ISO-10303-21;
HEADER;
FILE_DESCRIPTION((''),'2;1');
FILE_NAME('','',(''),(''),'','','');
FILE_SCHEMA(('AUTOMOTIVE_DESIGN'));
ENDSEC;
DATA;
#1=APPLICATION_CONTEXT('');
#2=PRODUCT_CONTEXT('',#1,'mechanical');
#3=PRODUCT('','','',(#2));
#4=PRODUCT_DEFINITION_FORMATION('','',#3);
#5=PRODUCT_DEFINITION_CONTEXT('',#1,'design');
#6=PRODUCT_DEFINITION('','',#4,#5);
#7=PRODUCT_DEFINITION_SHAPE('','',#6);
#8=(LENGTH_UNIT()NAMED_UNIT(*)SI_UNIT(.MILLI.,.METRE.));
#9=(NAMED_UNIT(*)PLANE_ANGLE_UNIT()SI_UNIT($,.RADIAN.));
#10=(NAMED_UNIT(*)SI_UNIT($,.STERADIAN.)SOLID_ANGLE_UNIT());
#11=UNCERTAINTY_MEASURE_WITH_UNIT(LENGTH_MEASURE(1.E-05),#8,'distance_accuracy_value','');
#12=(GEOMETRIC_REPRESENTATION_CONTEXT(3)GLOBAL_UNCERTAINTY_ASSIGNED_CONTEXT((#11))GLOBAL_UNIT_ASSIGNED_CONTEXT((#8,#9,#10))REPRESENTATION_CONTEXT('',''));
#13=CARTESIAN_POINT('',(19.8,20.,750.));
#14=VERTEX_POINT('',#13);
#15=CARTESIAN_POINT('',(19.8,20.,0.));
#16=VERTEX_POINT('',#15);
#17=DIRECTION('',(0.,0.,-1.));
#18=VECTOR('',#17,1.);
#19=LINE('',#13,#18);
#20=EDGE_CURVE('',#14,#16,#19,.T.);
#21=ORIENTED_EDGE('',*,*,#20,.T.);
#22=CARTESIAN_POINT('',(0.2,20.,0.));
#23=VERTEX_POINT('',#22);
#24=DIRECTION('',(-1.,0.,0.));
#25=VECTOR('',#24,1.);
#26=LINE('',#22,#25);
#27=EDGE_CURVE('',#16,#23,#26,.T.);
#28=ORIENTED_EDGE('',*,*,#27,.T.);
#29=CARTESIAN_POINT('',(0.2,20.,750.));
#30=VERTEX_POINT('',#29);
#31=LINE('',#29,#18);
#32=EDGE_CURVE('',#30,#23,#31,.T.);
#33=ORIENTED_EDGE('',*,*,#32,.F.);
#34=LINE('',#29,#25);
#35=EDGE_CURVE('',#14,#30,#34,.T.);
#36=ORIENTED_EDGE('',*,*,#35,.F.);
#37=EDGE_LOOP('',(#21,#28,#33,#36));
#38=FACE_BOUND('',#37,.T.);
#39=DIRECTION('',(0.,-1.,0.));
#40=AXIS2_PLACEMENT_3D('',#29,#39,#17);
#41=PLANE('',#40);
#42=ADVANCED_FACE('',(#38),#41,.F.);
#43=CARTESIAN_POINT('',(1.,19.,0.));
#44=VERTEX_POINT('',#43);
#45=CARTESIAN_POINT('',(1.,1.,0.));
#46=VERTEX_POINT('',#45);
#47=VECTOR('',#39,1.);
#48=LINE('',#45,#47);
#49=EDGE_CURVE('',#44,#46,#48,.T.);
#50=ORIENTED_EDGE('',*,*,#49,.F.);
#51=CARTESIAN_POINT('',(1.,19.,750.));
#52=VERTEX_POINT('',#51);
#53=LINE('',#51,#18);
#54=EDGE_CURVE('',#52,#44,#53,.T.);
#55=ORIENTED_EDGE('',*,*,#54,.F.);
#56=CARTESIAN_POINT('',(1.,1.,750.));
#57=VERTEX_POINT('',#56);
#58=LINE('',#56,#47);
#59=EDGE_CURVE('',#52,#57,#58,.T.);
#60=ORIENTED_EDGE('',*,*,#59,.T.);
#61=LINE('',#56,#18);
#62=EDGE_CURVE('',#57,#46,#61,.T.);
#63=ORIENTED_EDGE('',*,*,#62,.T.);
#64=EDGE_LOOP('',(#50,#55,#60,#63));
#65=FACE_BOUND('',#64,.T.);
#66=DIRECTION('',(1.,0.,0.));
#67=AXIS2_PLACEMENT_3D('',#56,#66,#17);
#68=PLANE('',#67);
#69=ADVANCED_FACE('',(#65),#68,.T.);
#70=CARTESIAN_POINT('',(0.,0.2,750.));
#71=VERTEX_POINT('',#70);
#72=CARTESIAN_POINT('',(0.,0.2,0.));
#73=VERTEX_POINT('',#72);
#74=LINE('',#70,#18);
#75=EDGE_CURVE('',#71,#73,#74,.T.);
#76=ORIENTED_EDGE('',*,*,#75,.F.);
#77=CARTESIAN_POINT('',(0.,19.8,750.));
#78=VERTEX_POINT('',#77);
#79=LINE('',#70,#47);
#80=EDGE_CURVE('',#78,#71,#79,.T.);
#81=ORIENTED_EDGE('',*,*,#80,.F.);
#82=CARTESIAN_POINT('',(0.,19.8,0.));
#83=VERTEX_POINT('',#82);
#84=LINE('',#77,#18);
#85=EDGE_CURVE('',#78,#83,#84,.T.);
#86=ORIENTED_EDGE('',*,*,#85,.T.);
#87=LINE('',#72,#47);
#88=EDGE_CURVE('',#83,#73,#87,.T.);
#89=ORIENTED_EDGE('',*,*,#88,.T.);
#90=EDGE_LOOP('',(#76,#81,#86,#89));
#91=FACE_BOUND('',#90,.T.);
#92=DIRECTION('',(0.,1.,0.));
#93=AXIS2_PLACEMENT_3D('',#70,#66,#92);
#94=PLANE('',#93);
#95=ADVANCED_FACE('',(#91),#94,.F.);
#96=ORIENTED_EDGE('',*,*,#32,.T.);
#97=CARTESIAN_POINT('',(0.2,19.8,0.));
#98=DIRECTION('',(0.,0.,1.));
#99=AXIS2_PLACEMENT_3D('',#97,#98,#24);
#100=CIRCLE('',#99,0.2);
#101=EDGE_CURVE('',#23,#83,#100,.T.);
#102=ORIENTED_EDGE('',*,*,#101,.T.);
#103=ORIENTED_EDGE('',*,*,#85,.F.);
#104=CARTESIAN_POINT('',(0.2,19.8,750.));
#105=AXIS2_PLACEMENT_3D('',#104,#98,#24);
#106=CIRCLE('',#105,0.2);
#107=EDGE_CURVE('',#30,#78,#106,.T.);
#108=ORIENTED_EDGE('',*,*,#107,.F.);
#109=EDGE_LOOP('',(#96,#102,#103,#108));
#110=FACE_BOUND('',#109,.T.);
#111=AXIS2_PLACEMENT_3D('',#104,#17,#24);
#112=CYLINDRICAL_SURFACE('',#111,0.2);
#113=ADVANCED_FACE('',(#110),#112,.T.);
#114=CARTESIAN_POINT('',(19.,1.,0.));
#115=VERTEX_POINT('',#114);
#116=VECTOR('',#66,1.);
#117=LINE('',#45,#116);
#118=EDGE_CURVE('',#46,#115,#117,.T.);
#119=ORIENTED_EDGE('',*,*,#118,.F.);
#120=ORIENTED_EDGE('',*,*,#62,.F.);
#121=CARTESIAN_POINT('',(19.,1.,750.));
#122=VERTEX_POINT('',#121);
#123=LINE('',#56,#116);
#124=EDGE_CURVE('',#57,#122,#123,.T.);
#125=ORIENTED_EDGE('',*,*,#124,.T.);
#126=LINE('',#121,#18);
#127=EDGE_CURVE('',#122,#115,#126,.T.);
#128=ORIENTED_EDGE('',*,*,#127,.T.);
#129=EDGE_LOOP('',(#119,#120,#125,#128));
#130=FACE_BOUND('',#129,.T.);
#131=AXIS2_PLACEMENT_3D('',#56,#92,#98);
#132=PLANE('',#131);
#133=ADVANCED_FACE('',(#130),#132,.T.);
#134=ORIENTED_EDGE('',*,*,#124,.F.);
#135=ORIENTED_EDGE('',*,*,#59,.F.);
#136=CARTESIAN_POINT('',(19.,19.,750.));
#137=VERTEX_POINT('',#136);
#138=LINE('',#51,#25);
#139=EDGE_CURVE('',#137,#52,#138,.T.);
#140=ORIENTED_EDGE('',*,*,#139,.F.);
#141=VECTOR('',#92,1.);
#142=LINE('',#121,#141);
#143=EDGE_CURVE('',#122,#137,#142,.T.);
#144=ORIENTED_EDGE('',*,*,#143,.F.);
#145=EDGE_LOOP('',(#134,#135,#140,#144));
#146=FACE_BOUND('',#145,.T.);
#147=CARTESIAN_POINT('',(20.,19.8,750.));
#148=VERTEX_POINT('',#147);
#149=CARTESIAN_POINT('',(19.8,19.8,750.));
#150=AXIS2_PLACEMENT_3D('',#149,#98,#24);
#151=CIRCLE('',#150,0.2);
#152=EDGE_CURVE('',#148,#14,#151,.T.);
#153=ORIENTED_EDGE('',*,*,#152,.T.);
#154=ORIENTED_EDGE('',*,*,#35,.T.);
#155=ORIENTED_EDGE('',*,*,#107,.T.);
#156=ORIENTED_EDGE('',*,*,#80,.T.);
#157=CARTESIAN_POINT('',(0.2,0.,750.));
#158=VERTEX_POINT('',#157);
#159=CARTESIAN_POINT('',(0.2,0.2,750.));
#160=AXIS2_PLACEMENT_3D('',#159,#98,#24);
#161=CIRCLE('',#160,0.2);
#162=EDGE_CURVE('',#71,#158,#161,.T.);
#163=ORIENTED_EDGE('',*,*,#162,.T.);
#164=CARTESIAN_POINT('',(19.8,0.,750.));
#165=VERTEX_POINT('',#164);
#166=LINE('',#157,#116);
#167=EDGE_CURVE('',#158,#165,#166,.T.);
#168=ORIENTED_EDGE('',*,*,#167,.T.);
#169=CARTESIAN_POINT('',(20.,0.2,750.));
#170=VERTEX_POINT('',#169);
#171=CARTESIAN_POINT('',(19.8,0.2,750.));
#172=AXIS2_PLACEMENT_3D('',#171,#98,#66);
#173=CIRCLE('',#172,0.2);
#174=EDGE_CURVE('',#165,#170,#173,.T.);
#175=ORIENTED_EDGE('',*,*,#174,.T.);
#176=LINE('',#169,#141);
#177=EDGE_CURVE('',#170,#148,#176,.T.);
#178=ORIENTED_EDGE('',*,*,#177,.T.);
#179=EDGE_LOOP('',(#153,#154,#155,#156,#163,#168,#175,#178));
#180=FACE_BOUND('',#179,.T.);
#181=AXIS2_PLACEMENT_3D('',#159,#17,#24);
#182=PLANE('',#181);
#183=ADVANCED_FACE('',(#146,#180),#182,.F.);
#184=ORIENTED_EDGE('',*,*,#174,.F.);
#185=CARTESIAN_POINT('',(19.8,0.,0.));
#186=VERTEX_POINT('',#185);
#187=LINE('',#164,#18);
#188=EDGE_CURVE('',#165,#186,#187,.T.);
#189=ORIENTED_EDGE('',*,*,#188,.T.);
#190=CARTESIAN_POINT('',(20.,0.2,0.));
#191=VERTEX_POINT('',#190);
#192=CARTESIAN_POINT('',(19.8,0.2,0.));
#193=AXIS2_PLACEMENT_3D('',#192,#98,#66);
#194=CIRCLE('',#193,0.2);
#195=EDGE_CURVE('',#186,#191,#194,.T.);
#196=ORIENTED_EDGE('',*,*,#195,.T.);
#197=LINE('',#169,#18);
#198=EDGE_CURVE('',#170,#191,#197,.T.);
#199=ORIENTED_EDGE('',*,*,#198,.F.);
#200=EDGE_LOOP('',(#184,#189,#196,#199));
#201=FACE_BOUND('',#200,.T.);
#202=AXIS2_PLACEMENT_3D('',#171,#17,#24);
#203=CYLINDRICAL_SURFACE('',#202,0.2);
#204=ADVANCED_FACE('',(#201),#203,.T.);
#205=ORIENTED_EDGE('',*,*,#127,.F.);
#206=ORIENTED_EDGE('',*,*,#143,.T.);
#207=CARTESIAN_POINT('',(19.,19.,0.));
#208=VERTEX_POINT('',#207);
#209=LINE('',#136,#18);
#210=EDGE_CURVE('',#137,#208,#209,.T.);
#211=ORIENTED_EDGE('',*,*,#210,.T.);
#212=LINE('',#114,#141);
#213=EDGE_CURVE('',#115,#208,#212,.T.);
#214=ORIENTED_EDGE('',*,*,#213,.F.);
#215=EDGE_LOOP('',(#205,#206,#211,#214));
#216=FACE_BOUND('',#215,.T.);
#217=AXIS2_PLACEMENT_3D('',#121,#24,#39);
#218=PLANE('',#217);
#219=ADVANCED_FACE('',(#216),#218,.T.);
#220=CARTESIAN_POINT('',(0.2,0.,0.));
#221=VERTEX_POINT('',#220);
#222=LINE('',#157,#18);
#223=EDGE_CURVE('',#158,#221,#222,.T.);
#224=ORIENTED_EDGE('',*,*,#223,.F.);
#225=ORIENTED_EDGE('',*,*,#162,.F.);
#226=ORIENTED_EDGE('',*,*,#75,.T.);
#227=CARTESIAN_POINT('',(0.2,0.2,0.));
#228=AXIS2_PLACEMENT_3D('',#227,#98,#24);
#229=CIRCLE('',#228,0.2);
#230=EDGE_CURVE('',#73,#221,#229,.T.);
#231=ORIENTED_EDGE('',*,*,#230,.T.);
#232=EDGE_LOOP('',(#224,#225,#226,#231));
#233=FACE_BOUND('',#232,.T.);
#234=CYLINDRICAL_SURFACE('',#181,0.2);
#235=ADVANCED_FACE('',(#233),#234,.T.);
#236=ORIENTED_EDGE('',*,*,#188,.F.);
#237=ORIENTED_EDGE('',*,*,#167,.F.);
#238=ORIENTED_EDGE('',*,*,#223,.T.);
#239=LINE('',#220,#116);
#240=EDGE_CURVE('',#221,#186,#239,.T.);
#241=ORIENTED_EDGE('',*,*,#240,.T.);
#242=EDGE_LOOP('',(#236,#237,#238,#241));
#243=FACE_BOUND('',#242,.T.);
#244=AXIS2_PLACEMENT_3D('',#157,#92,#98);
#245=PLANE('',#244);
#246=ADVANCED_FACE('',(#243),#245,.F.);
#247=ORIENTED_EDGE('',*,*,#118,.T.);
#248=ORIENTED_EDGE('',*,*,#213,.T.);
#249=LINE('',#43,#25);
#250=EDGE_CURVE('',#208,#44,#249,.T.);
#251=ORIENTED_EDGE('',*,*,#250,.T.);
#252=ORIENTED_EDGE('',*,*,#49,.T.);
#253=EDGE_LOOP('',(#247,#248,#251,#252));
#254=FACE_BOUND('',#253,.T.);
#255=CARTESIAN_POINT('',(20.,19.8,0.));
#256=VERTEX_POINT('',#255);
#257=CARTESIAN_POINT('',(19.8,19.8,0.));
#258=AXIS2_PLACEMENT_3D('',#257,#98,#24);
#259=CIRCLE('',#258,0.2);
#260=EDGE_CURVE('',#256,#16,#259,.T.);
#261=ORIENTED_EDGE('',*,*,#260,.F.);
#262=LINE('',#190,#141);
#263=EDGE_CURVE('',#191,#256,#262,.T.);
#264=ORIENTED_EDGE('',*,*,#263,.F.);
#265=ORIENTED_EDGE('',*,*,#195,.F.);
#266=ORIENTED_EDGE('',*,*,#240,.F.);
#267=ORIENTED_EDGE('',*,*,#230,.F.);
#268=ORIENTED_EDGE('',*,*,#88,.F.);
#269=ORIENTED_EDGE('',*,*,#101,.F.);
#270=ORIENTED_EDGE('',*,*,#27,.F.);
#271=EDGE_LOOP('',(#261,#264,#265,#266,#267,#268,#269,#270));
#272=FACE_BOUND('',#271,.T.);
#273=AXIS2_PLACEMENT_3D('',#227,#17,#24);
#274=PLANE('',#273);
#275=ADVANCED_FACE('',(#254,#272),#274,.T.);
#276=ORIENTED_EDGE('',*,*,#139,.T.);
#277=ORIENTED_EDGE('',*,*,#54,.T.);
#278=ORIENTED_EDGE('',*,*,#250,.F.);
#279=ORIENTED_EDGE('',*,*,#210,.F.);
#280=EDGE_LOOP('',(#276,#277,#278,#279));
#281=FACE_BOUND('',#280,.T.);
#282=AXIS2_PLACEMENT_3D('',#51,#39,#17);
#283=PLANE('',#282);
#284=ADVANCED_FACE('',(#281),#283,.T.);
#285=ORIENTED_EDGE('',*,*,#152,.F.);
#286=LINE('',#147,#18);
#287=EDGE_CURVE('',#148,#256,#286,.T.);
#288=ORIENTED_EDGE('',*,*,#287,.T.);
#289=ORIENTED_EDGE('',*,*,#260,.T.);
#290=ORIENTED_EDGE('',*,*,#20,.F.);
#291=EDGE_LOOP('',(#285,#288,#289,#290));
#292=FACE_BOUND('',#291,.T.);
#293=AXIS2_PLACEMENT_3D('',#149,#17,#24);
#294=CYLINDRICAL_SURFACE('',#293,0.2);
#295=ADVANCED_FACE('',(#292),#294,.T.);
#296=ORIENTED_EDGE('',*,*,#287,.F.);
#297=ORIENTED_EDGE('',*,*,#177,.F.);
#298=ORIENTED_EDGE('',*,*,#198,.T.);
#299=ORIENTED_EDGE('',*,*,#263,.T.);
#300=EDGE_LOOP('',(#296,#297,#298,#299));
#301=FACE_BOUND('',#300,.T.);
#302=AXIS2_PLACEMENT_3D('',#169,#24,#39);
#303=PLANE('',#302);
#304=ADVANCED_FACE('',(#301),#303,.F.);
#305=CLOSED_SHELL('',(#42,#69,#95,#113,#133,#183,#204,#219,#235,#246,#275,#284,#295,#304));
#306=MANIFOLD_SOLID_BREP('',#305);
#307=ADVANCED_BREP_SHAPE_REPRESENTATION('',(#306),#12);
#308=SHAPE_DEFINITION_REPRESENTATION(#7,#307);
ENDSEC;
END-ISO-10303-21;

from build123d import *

# Parameters (mm, degrees)
SKETCH1_W           = 18
SKETCH1_H           = 18
BOSS_EXTRUDE1_DEPTH = 750


with BuildPart() as part:
    # Sketch1 → Boss-Extrude1 (new body)
    with BuildSketch(Plane.XY):
        with BuildLine():
            Line((0.2, 0), (19.8, 0))
            ThreePointArc((19.8, 0), (19.941421356, 0.058578644), (20, 0.2))
            Line((20, 0.2), (20, 19.8))
            ThreePointArc((20, 19.8), (19.941421356, 19.941421356), (19.8, 20))
            Line((19.8, 20), (0.2, 20))
            ThreePointArc((0.2, 20), (0.058578644, 19.941421356), (0, 19.8))
            Line((0, 19.8), (0, 0.2))
            ThreePointArc((0, 0.2), (0.058578644, 0.058578644), (0.2, 0))
        make_face()
        with Locations((10, 10)):
            Rectangle(SKETCH1_W, SKETCH1_H, mode=Mode.SUBTRACT)
    extrude(amount=BOSS_EXTRUDE1_DEPTH)


solid = part.part
